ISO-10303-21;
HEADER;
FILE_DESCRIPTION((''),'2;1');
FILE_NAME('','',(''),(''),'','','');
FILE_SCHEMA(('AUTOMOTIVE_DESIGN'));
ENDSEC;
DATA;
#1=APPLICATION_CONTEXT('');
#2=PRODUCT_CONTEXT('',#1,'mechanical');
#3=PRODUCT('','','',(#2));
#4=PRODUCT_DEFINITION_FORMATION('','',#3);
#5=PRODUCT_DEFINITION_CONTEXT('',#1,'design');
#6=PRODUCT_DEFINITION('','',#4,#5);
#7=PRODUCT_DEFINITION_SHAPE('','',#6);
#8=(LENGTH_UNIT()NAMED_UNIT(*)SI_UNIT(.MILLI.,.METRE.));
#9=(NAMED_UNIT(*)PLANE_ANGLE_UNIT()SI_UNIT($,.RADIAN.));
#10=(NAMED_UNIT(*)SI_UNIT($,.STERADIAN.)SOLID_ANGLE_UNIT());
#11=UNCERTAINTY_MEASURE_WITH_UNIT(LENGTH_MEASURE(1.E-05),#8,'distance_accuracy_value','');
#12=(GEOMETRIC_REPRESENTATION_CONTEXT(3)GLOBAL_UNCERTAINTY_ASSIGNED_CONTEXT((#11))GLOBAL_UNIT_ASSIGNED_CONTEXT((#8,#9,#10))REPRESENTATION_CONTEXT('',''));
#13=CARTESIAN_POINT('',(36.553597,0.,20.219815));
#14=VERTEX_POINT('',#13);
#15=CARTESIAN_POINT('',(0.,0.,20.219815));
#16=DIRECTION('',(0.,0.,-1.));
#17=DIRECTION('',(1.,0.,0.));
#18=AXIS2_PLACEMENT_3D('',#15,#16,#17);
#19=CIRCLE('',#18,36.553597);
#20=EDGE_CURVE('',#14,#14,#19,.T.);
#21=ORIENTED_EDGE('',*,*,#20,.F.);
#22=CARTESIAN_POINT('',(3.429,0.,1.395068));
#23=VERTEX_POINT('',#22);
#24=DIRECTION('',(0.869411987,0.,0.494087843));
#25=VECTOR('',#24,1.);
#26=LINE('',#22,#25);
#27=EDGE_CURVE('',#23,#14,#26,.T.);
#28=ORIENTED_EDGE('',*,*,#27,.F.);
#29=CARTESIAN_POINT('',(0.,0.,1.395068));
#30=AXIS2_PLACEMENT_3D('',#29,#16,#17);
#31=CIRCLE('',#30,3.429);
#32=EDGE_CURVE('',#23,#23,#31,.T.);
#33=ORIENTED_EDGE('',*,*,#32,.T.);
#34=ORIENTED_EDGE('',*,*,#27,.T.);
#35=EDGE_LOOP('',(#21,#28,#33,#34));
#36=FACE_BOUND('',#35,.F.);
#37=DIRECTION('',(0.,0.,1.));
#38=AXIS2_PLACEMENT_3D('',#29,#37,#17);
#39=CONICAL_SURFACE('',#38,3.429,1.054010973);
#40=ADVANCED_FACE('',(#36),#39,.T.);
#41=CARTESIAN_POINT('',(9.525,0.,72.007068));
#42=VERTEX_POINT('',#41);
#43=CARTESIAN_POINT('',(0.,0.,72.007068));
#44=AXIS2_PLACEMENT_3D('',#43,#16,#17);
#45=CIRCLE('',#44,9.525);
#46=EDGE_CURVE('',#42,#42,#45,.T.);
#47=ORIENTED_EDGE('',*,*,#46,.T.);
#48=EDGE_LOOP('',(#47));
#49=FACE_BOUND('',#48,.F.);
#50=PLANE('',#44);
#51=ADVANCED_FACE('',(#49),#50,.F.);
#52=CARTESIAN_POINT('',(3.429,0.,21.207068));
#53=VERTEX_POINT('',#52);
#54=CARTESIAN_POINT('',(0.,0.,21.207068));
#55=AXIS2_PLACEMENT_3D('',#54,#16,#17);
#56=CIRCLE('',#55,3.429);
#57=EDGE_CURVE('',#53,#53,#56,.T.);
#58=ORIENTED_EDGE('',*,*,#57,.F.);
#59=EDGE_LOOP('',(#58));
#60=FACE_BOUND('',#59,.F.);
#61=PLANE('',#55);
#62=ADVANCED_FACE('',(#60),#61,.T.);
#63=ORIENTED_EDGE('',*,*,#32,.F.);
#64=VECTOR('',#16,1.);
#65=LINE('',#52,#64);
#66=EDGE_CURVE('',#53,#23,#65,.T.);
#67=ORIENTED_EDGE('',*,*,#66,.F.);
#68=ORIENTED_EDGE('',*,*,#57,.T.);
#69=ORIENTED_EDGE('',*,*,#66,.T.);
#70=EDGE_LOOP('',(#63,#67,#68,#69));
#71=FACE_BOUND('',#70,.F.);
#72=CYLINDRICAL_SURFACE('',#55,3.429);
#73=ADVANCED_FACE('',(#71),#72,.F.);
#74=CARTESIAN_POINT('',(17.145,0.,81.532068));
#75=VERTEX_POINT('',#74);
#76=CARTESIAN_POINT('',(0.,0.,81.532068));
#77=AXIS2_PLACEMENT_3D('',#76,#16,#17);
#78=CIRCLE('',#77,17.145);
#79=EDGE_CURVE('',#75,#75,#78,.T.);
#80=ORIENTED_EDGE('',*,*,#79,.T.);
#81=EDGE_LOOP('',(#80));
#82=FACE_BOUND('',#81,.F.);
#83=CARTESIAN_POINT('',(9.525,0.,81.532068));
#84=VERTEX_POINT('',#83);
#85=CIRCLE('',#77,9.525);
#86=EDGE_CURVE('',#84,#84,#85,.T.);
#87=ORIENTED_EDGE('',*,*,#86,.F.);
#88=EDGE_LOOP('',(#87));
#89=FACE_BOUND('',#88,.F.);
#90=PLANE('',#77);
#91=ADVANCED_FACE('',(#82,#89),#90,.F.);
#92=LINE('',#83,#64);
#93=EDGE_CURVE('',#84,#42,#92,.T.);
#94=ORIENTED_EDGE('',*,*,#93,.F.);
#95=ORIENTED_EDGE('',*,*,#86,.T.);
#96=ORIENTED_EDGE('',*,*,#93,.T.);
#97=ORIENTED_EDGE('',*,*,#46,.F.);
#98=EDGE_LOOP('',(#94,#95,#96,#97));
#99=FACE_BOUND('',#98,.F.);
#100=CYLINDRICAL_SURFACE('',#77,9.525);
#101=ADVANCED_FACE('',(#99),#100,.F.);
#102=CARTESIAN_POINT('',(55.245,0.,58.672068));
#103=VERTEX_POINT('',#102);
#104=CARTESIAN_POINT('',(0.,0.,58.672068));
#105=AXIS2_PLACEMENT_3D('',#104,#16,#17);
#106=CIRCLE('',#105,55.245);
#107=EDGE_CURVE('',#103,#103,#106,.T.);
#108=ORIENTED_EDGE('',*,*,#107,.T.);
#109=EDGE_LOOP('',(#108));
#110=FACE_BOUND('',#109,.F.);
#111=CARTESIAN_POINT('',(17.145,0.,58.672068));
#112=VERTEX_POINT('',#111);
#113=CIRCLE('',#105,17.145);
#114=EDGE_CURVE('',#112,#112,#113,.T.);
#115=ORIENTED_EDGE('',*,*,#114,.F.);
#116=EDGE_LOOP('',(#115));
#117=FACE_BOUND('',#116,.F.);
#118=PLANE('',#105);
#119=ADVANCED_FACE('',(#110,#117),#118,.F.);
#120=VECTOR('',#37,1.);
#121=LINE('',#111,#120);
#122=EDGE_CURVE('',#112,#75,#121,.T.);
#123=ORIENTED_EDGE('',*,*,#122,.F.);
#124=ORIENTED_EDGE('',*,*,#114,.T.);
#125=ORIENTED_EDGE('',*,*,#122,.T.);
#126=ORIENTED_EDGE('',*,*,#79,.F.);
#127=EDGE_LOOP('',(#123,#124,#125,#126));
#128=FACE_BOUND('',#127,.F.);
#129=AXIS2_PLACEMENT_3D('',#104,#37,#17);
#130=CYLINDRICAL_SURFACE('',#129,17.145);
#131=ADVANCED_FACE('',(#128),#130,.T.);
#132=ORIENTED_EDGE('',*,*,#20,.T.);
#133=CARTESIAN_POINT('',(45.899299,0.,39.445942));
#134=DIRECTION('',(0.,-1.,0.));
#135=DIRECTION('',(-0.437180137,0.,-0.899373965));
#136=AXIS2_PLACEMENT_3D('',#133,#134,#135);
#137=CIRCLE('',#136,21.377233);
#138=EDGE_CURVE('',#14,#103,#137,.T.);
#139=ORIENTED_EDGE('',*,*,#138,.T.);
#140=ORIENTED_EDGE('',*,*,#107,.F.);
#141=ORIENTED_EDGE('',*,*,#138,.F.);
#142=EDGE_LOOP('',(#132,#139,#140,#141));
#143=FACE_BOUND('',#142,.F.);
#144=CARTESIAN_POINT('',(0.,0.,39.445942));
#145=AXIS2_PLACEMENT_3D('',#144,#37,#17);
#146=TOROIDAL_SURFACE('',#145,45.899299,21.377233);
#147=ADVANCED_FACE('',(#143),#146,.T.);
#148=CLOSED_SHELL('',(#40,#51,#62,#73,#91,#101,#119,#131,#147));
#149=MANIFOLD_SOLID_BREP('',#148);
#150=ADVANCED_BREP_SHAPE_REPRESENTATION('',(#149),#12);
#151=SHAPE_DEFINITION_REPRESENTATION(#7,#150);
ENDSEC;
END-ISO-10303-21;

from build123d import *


with BuildPart() as f1:
    # F0 (on Front) → F1 (revolve)
    with BuildSketch(Plane.XZ):
        with BuildLine():
            ThreePointArc((36.553597, 20.219815), (65.125425, 30.10024), (55.245, 58.672068))
            Line((55.245, 58.672068), (17.145, 58.672068))
            Line((17.145, 58.672068), (17.145, 81.532068))
            Line((17.145, 81.532068), (9.525, 81.532068))
            Line((9.525, 81.532068), (9.525, 72.007068))
            Line((9.525, 72.007068), (0, 72.007068))
            Line((0, 72.007068), (0, 21.207068))
            Line((0, 21.207068), (3.429, 21.207068))
            Line((3.429, 21.207068), (3.429, 1.395068))
            Line((3.429, 1.395068), (36.553597, 20.219815))
        make_face()
    revolve(axis=Axis((0, 0, 46.607068), (0, 0, -1)))


solid = f1.part
